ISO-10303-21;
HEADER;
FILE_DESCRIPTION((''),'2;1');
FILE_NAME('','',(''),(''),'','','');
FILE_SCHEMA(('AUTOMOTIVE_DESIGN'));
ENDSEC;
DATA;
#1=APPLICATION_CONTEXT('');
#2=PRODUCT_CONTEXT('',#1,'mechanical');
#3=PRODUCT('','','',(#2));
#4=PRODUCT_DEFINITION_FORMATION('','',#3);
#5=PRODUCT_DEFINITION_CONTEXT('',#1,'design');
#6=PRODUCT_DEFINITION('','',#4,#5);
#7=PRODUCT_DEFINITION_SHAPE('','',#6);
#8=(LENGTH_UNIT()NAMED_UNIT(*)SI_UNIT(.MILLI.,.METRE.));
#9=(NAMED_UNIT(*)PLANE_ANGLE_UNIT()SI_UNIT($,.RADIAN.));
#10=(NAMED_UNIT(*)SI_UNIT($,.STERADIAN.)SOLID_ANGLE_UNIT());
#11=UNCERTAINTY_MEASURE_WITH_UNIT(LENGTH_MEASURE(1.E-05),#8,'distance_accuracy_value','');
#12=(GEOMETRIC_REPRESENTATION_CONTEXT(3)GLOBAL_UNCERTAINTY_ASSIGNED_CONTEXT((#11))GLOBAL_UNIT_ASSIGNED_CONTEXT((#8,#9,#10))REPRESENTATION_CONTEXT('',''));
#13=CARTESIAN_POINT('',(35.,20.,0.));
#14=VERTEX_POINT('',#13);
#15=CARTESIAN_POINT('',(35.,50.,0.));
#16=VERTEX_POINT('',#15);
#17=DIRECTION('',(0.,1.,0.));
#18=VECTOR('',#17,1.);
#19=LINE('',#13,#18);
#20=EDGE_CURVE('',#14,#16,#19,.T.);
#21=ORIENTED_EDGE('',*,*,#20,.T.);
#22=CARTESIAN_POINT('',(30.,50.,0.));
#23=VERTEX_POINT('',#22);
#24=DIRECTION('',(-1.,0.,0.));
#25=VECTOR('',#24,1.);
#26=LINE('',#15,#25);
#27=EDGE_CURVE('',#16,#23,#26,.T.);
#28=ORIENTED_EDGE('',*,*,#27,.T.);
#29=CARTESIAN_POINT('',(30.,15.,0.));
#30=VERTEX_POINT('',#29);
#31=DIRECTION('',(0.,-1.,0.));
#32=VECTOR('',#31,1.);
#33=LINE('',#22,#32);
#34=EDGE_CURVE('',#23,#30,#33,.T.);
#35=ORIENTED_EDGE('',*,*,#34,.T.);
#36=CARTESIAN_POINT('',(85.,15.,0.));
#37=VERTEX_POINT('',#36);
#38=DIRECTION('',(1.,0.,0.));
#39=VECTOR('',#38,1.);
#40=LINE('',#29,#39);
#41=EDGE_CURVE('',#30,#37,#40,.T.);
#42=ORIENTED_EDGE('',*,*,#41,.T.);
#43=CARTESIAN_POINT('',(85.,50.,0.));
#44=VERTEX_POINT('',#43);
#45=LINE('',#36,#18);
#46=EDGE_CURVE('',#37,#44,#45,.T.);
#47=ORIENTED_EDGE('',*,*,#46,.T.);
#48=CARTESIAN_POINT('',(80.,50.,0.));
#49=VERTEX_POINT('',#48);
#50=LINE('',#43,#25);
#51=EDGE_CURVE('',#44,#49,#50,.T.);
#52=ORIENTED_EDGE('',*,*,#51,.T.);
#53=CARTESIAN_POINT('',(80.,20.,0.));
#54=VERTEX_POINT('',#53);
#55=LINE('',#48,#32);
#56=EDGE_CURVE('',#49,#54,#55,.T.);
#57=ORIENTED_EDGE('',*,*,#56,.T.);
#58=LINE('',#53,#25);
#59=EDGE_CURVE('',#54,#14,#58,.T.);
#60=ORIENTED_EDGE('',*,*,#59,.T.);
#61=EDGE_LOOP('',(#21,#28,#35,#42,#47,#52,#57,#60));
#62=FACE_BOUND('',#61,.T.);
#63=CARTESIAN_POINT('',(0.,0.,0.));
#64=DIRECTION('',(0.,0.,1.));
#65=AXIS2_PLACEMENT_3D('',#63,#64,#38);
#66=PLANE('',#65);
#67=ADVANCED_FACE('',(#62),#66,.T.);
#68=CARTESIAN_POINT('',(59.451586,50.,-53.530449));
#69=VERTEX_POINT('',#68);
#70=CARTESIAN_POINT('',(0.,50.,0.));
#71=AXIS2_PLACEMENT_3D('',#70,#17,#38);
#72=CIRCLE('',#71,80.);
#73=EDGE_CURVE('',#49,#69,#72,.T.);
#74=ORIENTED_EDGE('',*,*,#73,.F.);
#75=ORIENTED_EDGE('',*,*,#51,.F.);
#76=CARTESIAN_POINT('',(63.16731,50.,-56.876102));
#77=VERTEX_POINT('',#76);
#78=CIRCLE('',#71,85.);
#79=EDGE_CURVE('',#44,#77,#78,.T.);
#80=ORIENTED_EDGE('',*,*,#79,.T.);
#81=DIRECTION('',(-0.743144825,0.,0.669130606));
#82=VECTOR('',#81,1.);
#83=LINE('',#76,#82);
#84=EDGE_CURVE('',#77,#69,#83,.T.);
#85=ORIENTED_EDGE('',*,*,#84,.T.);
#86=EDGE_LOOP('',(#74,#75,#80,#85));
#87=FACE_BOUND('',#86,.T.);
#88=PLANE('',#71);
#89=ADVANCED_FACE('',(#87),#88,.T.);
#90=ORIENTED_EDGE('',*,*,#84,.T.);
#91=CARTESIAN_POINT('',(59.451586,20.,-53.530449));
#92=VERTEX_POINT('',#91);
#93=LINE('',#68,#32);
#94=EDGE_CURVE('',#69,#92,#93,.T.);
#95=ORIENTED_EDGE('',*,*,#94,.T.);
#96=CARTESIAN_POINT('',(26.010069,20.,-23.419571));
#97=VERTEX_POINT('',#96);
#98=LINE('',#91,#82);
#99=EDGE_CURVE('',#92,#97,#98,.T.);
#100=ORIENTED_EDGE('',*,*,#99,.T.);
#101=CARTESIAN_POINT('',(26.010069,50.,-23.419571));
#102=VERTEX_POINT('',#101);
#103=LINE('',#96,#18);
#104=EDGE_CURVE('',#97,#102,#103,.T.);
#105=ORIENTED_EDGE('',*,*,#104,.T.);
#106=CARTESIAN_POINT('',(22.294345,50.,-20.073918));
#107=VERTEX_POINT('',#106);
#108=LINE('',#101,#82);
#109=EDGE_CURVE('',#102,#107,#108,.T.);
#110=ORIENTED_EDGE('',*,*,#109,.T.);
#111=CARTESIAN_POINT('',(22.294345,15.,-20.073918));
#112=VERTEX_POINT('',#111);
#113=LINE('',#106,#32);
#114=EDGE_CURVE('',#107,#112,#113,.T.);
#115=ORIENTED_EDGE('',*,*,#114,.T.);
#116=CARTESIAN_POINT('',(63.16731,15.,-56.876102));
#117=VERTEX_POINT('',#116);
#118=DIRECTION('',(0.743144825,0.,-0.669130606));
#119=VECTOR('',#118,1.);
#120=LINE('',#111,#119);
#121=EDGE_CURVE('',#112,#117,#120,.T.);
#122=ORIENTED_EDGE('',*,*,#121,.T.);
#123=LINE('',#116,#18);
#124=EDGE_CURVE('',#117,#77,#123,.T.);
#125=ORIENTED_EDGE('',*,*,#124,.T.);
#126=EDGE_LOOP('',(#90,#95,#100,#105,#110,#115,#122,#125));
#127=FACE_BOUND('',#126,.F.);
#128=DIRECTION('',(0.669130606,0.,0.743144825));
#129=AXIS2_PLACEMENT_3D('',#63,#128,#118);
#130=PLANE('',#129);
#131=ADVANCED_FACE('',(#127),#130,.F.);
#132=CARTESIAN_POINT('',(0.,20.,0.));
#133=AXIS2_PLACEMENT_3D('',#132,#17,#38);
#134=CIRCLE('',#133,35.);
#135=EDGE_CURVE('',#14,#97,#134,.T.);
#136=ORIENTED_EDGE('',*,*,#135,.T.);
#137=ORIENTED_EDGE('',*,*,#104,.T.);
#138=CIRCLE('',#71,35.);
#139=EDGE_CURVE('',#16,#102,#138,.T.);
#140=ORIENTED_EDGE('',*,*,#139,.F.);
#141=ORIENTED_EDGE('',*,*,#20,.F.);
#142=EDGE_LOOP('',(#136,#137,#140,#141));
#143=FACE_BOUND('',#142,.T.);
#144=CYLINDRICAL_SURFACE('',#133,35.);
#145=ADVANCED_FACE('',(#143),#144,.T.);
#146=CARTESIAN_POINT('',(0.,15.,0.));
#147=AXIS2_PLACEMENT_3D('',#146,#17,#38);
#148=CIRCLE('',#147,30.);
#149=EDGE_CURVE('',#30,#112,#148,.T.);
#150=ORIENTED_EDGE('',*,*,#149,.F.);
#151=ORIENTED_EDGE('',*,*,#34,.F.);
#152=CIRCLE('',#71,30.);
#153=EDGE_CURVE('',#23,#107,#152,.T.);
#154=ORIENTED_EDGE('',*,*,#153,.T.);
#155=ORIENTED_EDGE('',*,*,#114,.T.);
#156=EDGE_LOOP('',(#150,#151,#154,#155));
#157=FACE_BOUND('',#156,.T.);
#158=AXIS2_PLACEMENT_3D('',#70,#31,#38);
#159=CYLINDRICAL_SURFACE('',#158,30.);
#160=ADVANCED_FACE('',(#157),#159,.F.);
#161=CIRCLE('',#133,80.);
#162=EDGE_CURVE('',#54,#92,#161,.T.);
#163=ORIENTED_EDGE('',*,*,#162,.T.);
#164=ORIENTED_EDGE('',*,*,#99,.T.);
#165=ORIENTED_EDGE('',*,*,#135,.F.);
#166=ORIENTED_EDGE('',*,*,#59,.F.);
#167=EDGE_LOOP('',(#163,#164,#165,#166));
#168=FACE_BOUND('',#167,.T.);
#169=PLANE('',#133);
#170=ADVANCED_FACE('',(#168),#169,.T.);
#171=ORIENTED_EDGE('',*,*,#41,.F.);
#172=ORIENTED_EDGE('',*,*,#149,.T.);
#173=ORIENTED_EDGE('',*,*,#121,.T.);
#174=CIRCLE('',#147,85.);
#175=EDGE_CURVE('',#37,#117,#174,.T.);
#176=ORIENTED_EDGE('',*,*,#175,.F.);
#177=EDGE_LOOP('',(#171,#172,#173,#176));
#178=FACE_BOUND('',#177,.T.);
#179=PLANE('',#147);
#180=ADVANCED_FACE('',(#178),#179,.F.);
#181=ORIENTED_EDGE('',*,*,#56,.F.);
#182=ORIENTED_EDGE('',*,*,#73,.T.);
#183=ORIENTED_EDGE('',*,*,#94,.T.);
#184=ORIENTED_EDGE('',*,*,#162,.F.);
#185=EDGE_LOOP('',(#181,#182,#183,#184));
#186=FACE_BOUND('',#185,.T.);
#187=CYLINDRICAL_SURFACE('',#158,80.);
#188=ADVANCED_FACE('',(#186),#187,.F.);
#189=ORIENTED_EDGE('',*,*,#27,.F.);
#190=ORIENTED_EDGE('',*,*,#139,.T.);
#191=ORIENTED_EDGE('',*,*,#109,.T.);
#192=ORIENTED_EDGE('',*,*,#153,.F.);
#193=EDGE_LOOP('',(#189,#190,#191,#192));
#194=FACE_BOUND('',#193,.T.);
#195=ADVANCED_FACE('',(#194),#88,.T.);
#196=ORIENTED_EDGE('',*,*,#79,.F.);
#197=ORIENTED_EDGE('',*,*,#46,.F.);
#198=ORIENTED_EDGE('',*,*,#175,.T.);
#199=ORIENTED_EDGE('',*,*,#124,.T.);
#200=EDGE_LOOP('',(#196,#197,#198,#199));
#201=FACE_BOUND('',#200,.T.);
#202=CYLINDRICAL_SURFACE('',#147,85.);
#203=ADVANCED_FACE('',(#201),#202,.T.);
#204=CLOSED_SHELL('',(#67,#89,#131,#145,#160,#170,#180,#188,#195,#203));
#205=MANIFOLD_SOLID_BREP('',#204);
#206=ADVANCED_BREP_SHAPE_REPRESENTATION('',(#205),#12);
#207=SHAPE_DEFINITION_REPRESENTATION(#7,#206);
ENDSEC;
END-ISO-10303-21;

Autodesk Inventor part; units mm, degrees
ref_plane "YZ Plane" through (0, 0, 0) normal (1, 0, 0) x (0, 1, 0)
ref_plane "XZ Plane" through (0, 0, 0) normal (0, 1, 0) x (-1, 0, 0)
ref_plane "XY Plane" through (0, 0, 0) normal (0, 0, 1) x (1, 0, 0)
sketch "Sketch1" plane through (0, 0, 0) normal (0, 0, 1) x (1, 0, 0)
  line L0 (0, 0) -> (0, 50) construction
  line L1 (0, 50) -> (30, 50) construction
  line L2 (30, 50) -> (30, 15)
  line L3 (30, 15) -> (85, 15)
  line L4 (85, 15) -> (85, 50)
  line L5 (85, 50) -> (80, 50)
  line L6 (80, 50) -> (80, 20)
  line L7 (80, 20) -> (35, 20)
  line L8 (35, 20) -> (35, 50)
  line L9 (35, 50) -> (30, 50)
  dimension "d0" = 50
  dimension "d1" = 30
  dimension "d2" = 35
  dimension "d3" = 55
  dimension "d4" = 35
  dimension "d5" = 5
  dimension "d6" = 30
  dimension "d7" = 45
revolve "Revolution1" add sketch "Sketch1" angle 42 about axis through (0, 0, 0) along (0, 1, 0)
properties part number "track z2059"
